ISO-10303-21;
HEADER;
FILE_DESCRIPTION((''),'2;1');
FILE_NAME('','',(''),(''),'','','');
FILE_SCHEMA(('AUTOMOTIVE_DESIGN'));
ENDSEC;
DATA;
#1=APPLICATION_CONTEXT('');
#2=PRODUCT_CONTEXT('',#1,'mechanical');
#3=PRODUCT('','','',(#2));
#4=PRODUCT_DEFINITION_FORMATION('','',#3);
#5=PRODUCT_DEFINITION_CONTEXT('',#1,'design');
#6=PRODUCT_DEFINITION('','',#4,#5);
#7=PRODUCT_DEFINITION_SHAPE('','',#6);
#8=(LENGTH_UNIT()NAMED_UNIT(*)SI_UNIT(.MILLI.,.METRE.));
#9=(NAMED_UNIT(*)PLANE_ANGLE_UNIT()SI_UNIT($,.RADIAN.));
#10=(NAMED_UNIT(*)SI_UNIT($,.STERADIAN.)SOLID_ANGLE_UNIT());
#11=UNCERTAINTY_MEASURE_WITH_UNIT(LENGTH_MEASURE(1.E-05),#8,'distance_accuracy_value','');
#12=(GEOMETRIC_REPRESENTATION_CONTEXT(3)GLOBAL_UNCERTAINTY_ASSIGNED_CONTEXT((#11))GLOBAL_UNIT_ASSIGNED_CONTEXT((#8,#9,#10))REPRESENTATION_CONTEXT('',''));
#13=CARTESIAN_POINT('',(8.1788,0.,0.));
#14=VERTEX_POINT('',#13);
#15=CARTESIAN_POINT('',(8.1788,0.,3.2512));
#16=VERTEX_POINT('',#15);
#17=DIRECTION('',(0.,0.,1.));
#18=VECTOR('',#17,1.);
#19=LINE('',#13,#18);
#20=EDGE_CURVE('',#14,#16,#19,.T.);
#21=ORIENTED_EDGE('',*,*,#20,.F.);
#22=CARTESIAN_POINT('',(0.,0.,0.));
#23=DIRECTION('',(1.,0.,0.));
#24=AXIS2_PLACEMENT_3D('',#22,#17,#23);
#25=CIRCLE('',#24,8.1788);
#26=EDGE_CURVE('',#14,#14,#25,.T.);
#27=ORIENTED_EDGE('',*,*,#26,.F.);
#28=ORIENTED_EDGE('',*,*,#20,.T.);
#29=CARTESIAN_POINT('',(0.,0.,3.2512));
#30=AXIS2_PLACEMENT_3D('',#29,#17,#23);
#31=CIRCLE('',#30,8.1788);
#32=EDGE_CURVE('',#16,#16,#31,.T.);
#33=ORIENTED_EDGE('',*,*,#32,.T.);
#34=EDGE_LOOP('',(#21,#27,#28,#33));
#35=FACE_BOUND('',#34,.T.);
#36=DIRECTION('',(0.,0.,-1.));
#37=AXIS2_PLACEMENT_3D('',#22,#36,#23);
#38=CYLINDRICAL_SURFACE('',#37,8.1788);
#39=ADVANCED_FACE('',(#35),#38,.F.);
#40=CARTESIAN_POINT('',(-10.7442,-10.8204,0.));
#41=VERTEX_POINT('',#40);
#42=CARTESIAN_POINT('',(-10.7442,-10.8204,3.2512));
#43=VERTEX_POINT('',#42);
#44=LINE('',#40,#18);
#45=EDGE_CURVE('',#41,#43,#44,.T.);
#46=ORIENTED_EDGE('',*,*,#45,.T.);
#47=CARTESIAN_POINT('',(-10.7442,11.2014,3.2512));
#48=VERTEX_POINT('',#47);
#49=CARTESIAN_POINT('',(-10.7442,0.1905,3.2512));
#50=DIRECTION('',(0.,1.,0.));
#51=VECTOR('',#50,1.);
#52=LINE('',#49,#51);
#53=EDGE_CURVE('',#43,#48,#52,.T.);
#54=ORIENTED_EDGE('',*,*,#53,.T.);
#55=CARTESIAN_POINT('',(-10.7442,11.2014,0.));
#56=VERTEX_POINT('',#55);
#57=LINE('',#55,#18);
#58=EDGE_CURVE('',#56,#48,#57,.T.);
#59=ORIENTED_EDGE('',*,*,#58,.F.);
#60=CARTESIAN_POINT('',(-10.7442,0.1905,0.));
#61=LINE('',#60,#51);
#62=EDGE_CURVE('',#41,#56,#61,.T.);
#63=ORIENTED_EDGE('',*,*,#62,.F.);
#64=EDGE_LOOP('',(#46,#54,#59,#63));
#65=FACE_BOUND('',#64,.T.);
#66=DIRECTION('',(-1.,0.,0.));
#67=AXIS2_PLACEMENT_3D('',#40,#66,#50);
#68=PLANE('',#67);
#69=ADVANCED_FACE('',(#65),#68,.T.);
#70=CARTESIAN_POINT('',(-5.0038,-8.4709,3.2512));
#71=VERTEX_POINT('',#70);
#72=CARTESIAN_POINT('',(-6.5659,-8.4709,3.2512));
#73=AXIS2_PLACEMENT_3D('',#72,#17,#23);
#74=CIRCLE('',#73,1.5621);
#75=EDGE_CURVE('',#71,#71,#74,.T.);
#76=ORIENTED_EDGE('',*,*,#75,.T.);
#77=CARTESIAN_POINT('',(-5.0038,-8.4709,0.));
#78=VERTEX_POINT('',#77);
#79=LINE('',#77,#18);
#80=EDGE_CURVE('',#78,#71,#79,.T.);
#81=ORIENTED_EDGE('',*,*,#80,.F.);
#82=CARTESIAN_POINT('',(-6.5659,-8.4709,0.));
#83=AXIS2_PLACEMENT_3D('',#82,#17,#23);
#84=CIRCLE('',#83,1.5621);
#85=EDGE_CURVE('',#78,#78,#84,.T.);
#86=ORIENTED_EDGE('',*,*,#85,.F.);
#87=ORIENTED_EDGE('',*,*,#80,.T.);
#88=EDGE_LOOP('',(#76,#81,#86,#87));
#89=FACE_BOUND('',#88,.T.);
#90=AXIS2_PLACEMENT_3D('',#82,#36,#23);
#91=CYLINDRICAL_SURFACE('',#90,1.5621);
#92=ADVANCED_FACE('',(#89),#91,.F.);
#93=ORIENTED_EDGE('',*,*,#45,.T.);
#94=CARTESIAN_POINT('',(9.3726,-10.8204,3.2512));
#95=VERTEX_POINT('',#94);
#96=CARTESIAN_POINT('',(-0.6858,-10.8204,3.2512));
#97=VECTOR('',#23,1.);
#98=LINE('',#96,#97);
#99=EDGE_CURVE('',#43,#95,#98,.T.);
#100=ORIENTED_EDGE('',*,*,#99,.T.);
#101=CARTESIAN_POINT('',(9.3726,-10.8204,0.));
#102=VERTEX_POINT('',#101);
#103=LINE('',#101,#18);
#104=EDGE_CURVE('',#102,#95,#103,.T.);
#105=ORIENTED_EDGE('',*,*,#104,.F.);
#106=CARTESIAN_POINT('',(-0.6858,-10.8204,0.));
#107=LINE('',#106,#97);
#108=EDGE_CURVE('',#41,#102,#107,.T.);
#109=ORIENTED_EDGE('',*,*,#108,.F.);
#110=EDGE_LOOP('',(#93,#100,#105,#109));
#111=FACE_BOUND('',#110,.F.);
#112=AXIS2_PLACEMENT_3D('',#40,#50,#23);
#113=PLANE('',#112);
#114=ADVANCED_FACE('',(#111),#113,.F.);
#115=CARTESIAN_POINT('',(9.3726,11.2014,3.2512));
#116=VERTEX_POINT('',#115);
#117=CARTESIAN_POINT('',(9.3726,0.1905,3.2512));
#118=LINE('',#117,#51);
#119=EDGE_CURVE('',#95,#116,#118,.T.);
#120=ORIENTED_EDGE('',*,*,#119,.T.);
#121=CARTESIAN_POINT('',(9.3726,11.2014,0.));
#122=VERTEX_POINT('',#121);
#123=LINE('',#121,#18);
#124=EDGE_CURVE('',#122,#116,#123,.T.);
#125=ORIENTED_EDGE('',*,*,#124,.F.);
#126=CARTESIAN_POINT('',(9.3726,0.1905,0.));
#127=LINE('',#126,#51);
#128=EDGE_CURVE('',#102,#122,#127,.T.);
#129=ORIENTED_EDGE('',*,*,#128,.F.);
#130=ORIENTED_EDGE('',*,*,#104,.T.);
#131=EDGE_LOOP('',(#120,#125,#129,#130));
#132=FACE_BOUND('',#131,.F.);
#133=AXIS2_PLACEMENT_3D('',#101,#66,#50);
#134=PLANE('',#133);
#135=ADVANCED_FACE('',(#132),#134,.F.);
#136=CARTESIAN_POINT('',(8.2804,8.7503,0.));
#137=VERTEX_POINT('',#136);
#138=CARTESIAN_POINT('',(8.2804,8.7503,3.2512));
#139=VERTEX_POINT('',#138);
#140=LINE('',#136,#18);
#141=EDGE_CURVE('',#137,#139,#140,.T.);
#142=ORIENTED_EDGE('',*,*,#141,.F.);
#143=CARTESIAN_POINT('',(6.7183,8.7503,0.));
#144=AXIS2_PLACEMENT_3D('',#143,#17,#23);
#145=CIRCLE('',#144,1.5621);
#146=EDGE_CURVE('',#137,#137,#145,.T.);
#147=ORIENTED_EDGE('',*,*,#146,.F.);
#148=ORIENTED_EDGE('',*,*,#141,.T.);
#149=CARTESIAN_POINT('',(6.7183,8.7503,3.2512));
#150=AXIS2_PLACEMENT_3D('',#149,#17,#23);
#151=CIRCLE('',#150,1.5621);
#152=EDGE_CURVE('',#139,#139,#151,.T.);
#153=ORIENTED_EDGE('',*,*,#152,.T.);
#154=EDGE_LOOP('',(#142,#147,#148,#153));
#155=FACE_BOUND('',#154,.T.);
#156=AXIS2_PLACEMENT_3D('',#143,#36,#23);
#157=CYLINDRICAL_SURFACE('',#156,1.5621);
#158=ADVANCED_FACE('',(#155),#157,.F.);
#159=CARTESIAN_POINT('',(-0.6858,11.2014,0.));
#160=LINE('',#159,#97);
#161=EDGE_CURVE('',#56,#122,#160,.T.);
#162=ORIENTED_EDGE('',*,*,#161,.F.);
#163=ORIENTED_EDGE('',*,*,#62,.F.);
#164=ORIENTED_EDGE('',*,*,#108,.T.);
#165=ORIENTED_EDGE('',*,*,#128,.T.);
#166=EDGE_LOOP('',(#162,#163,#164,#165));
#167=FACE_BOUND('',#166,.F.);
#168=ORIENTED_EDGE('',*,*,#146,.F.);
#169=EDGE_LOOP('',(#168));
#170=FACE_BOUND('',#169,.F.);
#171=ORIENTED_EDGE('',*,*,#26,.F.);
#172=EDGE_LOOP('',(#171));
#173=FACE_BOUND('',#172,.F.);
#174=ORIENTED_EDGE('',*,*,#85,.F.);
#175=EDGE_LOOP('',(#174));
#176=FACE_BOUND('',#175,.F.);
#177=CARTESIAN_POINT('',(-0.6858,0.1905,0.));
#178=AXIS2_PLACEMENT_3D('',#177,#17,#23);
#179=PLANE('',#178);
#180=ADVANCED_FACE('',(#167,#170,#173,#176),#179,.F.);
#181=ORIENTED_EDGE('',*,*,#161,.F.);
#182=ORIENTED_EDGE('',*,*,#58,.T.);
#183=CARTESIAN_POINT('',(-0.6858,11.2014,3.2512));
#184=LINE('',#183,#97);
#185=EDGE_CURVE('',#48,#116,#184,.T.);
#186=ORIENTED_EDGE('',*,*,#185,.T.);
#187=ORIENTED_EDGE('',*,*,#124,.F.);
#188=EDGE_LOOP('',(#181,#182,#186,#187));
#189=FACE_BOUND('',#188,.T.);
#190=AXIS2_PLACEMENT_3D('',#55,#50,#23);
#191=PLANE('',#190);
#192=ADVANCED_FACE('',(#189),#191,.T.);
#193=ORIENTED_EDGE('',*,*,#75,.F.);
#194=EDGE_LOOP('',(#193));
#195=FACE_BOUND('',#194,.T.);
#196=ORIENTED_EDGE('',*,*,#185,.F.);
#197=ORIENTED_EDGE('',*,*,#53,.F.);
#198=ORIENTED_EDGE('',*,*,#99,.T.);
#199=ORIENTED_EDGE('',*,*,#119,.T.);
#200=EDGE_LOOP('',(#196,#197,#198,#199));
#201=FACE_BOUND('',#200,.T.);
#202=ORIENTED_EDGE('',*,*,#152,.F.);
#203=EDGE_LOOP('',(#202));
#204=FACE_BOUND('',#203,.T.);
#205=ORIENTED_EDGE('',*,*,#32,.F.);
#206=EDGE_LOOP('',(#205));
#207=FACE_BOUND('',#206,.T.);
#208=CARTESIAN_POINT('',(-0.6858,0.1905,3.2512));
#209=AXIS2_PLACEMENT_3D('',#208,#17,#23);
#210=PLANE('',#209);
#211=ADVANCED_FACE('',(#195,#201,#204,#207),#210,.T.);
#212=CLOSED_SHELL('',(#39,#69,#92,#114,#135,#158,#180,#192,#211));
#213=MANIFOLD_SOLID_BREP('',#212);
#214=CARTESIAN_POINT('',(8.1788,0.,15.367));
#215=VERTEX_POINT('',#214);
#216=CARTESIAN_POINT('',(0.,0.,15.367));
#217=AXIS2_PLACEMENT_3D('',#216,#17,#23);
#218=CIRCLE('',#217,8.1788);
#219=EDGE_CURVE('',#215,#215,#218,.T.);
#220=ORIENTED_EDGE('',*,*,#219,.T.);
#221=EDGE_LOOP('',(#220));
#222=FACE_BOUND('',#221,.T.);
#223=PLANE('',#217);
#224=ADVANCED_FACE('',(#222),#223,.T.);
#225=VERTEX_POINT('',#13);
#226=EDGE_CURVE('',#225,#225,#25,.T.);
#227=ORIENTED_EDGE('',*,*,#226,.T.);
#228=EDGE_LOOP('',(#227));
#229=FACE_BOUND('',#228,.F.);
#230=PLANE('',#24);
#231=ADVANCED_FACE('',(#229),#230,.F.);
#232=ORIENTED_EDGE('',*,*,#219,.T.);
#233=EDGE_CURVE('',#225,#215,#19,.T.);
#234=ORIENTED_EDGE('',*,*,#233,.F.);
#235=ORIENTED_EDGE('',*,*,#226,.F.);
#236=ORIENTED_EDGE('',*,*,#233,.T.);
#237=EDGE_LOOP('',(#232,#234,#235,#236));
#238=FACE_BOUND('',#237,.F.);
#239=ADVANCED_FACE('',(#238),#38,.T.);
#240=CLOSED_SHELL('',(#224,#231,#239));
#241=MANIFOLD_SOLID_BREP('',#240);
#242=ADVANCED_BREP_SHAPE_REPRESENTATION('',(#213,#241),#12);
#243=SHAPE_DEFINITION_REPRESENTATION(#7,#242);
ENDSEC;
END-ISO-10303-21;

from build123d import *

# Parameters (mm, degrees)
F0_R     = 8.1788
F2_DEPTH = 15.367
F0_W     = 20.1168
F0_H     = 22.0218
F3_DEPTH = 3.2512
F1_R     = 1.5621
F4_DEPTH = 1.6256
F5_DEPTH = 3.2512
F6_DEPTH = 3.2512


with BuildPart() as f2:
    # F0 (on Top) → F2 (new body)
    with BuildSketch(Plane.XY):
        Circle(F0_R)
    extrude(amount=F2_DEPTH)

    # F1 (on Top) → F4 (cut)
    with BuildSketch(Plane.XY):
        with Locations((6.7183, 8.7503)):
            Circle(F1_R)
    extrude(amount=-F4_DEPTH, mode=Mode.SUBTRACT)


with BuildPart() as f3:
    # F0 (on Top) → F3 (new body)
    with BuildSketch(Plane.XY):
        with Locations((-0.6858, 0.1905)):
            Rectangle(F0_W, F0_H)
        Circle(F0_R, mode=Mode.SUBTRACT)
    extrude(amount=F3_DEPTH)

    # F1 (on Top) → F5 (cut)
    with BuildSketch(Plane.XY):
        with Locations((-6.5659, -8.4709)):
            Circle(F1_R)
    extrude(amount=F5_DEPTH, mode=Mode.SUBTRACT)

    # F1 (on Top) → F6 (cut)
    with BuildSketch(Plane.XY):
        with Locations((6.7183, 8.7503)):
            Circle(F1_R)
    extrude(amount=F6_DEPTH, mode=Mode.SUBTRACT)


solid = Compound([f2.part, f3.part])
